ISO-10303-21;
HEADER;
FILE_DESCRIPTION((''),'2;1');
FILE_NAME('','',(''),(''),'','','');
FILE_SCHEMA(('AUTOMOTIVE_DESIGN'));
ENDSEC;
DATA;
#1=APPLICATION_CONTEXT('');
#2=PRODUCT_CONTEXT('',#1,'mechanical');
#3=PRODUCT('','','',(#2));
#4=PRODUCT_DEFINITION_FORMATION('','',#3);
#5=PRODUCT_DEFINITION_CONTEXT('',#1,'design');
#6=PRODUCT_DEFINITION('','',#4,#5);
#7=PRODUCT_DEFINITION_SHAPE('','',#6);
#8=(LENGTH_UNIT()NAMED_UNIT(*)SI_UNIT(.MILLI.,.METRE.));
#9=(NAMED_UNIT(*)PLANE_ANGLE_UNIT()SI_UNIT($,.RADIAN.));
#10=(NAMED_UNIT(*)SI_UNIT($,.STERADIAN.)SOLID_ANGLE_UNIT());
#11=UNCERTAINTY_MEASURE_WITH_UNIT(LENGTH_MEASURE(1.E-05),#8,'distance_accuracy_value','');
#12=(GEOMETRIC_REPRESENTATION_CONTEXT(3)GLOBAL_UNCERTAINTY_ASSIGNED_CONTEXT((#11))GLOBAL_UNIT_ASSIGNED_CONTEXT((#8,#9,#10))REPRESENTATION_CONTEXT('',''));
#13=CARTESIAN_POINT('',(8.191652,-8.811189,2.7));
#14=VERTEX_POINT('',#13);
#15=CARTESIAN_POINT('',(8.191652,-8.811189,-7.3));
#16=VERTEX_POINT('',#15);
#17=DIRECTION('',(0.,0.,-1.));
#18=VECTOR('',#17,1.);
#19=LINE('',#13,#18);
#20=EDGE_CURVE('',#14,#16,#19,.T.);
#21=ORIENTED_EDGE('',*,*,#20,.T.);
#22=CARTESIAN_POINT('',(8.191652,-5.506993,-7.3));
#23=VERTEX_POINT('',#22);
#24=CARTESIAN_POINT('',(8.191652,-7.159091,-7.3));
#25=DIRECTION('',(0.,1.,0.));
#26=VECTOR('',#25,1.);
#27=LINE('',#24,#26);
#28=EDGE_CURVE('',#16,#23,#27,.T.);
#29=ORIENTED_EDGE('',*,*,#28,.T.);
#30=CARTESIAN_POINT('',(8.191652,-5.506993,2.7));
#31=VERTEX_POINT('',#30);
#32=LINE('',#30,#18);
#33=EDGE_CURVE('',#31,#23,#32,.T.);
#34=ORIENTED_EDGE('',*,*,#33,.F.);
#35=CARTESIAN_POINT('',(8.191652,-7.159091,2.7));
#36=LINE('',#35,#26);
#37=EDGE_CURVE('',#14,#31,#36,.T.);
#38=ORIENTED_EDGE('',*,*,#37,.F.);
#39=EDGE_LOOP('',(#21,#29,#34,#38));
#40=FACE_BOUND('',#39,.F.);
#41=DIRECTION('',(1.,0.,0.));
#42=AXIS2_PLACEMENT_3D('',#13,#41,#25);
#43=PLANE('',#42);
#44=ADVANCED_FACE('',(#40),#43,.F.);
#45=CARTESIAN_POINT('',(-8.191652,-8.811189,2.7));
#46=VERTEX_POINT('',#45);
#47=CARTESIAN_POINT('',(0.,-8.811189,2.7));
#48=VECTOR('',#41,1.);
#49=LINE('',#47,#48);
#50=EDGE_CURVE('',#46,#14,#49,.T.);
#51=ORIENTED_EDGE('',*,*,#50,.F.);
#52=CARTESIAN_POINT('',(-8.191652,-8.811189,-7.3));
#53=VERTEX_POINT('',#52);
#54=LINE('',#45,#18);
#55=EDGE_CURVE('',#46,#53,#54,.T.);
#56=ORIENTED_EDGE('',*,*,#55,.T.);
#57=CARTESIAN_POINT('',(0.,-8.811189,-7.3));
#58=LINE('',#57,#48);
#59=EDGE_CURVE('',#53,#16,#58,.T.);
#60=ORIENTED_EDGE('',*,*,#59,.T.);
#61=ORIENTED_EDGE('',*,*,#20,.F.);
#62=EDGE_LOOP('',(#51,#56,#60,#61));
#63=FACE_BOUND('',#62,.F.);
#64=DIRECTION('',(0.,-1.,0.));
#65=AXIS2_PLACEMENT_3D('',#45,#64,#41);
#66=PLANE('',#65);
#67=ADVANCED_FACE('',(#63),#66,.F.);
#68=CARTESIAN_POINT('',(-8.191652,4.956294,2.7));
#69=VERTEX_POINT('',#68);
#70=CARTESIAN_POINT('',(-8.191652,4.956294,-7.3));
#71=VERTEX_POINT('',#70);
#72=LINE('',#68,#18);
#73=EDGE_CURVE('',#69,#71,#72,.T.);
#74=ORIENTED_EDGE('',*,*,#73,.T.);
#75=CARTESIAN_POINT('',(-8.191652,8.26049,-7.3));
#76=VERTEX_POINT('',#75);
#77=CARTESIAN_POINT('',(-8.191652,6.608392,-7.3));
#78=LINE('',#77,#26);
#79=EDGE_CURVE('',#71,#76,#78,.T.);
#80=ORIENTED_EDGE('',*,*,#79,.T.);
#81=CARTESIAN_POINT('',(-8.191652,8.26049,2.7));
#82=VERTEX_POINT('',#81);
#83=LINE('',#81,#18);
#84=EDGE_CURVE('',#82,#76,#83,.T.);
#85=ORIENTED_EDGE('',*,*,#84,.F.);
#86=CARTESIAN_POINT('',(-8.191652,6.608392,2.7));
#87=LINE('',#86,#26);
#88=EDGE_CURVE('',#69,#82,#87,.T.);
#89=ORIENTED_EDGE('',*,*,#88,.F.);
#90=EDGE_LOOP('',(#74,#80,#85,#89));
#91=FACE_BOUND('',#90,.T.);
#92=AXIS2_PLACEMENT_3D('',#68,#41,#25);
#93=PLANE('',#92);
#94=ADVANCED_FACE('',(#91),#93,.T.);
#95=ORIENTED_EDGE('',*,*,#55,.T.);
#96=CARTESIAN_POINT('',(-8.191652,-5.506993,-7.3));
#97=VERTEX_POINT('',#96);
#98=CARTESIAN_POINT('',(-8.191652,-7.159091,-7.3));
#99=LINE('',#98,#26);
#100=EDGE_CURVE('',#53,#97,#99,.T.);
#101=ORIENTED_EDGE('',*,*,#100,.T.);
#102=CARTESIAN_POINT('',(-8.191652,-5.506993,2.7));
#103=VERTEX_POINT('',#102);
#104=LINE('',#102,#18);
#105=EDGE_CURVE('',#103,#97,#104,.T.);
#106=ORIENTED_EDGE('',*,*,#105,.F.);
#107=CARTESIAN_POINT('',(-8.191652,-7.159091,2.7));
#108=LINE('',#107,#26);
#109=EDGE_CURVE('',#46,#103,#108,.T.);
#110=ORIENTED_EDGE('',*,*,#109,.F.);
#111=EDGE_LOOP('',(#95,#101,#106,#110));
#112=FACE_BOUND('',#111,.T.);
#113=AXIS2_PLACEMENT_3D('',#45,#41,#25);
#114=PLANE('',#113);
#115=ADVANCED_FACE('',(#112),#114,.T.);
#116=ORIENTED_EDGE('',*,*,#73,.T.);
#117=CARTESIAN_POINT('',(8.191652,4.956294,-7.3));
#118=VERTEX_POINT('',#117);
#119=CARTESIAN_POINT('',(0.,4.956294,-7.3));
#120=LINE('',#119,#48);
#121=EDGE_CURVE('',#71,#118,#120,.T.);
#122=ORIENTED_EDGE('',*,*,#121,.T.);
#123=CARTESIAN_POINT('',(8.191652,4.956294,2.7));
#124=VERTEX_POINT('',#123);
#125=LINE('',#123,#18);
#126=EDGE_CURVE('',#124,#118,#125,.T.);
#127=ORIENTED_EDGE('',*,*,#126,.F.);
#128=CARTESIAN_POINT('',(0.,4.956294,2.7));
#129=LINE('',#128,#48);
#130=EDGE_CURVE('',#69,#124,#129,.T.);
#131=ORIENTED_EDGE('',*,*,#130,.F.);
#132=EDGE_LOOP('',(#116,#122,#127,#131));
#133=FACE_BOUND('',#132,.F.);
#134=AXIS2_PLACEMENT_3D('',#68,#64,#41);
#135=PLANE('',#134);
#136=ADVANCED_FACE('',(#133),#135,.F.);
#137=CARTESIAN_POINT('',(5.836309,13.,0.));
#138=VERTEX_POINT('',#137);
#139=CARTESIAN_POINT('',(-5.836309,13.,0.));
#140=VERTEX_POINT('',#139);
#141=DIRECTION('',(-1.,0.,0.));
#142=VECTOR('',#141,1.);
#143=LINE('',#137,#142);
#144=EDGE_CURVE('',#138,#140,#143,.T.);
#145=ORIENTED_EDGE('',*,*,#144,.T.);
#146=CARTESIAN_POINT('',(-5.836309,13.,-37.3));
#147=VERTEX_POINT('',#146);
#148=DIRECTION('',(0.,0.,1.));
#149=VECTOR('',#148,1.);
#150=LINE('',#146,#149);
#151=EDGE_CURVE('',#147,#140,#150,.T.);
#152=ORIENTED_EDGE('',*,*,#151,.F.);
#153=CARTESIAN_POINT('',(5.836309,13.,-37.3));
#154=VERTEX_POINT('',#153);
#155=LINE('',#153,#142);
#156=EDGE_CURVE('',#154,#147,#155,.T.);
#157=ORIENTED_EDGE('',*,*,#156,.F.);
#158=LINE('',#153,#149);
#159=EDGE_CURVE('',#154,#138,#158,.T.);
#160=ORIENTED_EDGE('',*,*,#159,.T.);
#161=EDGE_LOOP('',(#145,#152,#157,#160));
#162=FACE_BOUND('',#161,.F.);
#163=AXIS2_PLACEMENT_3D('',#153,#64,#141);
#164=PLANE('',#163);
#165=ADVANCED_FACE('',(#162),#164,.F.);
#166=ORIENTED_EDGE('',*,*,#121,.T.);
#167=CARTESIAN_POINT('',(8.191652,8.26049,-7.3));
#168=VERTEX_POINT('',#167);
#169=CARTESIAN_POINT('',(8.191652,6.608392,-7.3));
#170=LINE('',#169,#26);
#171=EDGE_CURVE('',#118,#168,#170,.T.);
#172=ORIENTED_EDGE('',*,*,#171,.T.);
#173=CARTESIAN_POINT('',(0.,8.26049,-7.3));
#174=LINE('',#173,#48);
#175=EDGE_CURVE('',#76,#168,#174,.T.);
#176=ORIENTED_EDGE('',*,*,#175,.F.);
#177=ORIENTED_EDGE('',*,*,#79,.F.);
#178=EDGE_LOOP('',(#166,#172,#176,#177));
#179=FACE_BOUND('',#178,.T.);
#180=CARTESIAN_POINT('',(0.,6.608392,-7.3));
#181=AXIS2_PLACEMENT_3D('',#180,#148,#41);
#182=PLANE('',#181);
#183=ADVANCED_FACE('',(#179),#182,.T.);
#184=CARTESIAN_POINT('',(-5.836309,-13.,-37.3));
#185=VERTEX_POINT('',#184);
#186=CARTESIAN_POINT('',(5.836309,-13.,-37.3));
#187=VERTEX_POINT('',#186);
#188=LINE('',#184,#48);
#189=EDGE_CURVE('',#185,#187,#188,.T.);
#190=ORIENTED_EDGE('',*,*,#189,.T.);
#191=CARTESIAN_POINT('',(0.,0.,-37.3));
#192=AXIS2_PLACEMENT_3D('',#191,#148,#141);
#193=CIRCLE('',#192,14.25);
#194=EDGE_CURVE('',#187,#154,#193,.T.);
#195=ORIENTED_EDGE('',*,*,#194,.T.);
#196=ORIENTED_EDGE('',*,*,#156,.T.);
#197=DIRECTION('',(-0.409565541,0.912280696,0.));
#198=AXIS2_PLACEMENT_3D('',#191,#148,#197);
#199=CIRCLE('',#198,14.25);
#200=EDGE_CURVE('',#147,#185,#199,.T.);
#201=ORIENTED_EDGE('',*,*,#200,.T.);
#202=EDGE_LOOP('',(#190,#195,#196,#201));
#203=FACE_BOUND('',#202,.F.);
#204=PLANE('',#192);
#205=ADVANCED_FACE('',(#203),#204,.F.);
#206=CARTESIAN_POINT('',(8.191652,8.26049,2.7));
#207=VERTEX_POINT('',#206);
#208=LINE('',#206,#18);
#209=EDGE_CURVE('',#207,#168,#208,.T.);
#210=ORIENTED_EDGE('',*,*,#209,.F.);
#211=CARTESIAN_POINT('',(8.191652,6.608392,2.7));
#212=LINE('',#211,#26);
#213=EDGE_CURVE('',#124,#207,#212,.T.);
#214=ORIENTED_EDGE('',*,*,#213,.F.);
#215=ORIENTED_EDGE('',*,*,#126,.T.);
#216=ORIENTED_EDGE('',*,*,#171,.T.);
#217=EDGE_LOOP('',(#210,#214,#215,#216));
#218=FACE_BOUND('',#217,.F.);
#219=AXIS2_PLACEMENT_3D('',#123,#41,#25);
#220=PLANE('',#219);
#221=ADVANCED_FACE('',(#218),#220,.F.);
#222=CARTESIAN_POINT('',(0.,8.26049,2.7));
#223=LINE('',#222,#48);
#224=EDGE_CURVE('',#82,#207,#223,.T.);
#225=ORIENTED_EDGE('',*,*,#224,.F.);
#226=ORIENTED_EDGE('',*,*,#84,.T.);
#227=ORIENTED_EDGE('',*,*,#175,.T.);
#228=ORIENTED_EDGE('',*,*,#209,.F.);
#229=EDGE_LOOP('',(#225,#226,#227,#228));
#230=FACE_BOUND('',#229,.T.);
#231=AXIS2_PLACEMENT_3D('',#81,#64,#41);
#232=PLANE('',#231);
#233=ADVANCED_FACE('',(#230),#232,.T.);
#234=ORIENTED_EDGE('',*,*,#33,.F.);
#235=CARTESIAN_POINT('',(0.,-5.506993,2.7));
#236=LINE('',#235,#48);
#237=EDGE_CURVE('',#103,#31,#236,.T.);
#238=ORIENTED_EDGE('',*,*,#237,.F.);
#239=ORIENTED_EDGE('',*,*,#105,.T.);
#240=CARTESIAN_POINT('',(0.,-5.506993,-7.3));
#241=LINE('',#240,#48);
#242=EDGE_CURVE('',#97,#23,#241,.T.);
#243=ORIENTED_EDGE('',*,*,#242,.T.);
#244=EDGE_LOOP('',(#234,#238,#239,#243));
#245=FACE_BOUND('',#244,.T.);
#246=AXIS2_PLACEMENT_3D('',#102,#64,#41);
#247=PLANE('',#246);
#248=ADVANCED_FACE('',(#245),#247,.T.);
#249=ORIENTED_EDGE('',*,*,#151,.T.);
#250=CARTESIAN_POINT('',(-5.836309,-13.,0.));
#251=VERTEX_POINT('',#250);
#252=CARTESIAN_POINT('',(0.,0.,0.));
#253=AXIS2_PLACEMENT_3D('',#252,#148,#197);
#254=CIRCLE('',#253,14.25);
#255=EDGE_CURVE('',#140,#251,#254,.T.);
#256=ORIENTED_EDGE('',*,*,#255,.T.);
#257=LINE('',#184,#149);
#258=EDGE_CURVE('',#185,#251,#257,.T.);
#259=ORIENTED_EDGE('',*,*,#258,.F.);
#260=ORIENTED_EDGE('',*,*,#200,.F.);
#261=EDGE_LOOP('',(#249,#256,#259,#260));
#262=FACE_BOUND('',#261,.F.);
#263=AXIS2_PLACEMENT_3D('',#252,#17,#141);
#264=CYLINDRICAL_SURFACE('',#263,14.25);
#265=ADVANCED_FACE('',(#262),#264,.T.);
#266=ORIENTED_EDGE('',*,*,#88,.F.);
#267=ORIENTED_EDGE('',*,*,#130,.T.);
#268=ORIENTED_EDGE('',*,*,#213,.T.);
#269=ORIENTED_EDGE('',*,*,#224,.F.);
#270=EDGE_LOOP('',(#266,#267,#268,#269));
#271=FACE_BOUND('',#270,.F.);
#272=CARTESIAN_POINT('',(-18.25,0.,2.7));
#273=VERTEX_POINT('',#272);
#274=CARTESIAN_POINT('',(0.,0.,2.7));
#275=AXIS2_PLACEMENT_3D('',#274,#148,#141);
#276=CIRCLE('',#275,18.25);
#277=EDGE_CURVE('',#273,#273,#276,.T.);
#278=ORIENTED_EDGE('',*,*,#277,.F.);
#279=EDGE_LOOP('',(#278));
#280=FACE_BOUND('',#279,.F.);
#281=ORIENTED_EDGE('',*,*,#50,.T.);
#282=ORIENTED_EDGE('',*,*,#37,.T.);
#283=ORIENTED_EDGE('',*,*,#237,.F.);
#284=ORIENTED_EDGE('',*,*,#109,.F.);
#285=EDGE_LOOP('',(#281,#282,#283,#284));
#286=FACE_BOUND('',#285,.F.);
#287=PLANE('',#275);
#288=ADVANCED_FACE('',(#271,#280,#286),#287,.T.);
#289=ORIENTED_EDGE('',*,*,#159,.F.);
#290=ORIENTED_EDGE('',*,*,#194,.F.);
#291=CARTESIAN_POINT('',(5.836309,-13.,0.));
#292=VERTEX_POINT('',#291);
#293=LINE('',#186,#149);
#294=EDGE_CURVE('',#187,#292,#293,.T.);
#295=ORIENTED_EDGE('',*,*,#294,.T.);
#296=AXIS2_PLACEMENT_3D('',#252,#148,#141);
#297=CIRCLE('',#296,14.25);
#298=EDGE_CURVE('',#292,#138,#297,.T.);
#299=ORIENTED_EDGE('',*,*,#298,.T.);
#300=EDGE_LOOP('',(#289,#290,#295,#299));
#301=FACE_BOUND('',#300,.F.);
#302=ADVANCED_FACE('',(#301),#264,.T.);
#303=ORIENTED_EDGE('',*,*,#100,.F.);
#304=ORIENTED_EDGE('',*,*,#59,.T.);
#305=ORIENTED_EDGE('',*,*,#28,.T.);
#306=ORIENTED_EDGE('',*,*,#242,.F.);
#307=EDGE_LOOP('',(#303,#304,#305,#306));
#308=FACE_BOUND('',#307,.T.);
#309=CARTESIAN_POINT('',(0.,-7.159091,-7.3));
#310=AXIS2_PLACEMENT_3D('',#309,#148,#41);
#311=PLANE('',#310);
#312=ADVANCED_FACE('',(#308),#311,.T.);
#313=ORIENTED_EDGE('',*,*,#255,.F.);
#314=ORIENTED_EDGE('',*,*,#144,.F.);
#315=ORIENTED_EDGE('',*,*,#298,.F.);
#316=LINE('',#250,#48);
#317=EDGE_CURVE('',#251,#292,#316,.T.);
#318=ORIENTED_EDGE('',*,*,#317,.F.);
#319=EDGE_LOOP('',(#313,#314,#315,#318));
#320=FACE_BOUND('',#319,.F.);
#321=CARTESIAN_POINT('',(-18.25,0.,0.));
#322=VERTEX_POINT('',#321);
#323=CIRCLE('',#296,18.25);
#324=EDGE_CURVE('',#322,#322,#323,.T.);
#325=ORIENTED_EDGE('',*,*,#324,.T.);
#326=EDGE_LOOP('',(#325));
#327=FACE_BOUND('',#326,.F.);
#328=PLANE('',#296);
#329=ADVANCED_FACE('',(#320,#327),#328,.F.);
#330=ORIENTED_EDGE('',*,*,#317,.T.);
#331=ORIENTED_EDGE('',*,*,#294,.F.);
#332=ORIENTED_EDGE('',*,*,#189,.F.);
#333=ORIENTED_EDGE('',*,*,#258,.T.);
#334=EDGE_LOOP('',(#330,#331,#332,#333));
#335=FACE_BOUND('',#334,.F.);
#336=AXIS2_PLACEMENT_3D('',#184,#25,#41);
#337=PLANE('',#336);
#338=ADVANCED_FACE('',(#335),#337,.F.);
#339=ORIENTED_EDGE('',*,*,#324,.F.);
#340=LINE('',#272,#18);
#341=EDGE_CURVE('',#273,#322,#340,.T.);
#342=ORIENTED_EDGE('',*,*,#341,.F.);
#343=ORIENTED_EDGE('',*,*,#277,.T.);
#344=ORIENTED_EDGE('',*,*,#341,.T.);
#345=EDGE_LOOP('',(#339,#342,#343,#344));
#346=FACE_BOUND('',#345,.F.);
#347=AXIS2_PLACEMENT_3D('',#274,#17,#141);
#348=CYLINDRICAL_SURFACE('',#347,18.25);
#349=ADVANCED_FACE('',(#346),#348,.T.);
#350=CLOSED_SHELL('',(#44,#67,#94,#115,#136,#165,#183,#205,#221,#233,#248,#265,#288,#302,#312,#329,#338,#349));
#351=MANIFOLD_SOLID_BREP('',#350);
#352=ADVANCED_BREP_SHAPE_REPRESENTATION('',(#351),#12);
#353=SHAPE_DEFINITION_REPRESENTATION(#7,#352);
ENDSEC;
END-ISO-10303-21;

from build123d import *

# Parameters (mm, degrees)
F2_W     = 16.383304
F2_H     = 3.304196
F3_DEPTH = 10
F5_DEPTH = 37.3


with BuildPart() as f1:
    # F0 (on Front) → F1 (revolve)
    with BuildSketch(Plane.XZ):
        Polygon((0, -37.3), (0, 2.7), (-18.25, 2.7), (-18.25, 0), (-14.25, 0), (-14.25, -37.3), align=None)
    revolve(axis=Axis((0, 0, -17.3), (0, 0, 1)))

    # F2 (on face) → F3 (cut)
    with BuildSketch(Plane.XY.offset(2.7)):
        with Locations((0, 6.608392)):
            Rectangle(F2_W, F2_H)
        with Locations((0, -7.159091)):
            Rectangle(F2_W, F2_H)
    extrude(amount=-F3_DEPTH, mode=Mode.SUBTRACT)

    # F4 (on face) → F5 (cut, through all)
    with BuildSketch(Plane(origin=(0, 0, -37.3), x_dir=(1, 0, 0), z_dir=(0, 0, -1))):
        with BuildLine():
            ThreePointArc((5.836309, 13), (0, 14.25), (-5.836309, 13))
            Line((-5.836309, 13), (5.836309, 13))
        make_face()
        with BuildLine():
            Line((5.836309, -13), (-5.836309, -13))
            ThreePointArc((-5.836309, -13), (0, -14.25), (5.836309, -13))
        make_face()
    extrude(amount=-F5_DEPTH, mode=Mode.SUBTRACT)


solid = f1.part
